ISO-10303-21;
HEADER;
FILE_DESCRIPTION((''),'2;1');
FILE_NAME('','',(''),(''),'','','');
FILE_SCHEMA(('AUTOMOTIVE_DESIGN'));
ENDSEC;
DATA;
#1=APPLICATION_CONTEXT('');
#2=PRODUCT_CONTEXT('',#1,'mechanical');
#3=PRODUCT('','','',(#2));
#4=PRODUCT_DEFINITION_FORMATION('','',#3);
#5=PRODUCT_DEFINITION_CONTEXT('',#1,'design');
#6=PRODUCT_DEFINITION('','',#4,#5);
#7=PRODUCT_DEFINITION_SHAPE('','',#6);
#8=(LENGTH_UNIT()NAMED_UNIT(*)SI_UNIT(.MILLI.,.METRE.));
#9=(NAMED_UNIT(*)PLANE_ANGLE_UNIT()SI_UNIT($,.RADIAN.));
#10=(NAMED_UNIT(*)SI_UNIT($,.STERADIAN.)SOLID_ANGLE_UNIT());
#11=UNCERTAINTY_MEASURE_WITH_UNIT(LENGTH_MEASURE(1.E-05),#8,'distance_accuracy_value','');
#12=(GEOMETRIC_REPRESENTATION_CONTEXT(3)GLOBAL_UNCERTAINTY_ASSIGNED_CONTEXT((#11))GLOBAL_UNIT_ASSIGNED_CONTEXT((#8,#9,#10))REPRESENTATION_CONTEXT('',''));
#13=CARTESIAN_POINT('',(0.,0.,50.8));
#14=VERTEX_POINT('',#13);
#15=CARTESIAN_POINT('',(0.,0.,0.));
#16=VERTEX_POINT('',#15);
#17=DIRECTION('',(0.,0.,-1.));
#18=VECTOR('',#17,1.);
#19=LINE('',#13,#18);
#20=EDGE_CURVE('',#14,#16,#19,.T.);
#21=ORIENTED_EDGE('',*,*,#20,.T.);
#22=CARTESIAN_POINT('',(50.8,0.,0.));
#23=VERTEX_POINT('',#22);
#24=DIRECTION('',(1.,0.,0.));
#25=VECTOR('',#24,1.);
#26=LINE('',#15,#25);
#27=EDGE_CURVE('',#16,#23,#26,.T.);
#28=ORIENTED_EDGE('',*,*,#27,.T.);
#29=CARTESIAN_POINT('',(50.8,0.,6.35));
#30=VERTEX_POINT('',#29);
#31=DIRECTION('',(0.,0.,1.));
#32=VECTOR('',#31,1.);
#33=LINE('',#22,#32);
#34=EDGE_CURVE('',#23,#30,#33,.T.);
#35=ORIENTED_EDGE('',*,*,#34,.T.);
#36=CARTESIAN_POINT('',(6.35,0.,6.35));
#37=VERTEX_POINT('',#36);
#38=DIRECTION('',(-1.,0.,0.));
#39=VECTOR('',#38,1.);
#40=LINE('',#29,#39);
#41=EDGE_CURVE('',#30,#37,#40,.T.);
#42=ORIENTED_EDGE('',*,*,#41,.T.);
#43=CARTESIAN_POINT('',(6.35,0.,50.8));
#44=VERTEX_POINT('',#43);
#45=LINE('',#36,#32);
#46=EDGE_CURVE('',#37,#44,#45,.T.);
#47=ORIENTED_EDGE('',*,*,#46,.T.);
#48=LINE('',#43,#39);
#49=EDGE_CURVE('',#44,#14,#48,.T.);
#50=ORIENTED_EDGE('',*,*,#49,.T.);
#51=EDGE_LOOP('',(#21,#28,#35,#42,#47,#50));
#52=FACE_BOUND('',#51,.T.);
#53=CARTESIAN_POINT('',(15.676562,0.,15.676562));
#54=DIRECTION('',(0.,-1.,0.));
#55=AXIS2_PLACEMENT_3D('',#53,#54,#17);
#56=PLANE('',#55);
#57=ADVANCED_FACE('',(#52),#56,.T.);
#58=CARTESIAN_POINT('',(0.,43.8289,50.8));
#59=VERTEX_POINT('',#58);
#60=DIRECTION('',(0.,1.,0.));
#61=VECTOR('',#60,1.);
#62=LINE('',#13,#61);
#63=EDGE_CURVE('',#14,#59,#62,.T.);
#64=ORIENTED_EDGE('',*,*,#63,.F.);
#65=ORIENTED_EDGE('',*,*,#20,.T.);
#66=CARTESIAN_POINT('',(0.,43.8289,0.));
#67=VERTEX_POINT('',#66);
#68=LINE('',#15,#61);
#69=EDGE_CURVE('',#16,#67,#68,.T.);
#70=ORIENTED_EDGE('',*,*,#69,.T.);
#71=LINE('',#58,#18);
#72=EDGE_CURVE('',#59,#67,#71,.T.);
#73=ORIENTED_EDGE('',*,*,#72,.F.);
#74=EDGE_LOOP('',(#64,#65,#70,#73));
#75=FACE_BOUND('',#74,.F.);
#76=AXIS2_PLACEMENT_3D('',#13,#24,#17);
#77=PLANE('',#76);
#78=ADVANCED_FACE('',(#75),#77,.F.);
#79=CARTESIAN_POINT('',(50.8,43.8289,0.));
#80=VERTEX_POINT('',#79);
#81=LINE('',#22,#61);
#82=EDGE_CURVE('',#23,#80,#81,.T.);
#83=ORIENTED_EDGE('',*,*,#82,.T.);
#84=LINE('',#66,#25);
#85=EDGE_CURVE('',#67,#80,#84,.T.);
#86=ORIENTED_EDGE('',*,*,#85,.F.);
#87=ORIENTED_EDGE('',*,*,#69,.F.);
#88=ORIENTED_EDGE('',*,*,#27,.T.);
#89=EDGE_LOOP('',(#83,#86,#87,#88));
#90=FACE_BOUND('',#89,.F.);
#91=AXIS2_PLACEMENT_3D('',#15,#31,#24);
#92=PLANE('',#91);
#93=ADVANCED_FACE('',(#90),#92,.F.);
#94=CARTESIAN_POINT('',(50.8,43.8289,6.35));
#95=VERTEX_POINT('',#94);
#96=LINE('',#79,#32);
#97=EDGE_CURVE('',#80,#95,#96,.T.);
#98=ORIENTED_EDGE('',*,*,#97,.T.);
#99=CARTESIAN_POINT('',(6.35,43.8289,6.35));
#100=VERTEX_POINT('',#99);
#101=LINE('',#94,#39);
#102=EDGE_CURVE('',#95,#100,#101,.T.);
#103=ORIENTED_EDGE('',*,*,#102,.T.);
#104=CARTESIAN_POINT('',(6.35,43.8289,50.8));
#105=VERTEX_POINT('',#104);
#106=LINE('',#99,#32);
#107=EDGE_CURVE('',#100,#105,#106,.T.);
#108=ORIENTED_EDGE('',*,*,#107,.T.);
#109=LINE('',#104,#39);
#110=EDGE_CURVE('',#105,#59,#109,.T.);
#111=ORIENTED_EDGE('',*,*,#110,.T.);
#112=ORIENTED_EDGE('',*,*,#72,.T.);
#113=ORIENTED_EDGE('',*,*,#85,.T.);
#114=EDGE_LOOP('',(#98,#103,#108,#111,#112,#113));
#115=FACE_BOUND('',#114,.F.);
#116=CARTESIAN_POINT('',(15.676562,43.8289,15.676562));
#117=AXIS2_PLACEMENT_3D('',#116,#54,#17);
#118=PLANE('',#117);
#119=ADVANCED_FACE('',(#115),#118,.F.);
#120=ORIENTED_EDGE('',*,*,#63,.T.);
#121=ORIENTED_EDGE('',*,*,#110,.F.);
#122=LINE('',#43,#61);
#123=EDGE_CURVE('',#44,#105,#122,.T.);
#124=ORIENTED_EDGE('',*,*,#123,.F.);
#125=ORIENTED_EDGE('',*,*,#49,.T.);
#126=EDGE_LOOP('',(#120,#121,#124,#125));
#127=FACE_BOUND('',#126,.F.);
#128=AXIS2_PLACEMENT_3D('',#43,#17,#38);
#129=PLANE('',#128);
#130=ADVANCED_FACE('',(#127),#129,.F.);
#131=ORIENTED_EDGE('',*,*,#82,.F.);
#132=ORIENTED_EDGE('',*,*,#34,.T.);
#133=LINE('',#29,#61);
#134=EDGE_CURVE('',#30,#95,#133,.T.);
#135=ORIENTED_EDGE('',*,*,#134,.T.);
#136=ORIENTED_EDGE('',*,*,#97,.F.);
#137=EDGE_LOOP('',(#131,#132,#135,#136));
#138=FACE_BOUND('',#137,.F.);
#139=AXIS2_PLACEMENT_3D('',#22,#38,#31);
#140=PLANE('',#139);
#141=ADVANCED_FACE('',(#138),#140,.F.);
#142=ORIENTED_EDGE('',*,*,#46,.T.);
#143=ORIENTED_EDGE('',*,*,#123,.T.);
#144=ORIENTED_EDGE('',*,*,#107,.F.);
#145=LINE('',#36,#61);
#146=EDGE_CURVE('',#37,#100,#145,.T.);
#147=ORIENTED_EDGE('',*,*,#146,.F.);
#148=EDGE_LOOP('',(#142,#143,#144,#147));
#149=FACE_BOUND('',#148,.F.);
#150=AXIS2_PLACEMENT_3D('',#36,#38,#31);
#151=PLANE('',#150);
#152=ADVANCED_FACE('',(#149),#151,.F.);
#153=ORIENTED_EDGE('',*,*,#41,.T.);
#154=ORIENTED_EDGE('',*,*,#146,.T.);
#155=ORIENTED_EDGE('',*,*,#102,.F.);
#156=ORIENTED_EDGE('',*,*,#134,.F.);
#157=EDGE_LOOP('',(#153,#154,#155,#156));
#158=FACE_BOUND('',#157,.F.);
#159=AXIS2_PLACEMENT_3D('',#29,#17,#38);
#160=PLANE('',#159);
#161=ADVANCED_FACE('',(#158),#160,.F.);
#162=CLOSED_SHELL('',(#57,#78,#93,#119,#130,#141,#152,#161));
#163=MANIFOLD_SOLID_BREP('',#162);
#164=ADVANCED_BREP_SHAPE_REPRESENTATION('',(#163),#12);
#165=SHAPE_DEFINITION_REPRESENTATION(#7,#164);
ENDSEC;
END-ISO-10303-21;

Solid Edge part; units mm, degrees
sketch "Sketch1" plane through (0, 0, 0) normal (1, 0, 0) x (0, 1, 0)
  line L0 (0, 0) -> (43.8289, 0)
sketch "Sketch2" plane through (0, 0, 0) normal (0, -1, 0) x (1, 0, 0)
  line L0 (0, 50.8) -> (0, 0)
  line L1 (0, 0) -> (50.8, 0)
  line L2 (50.8, 0) -> (50.8, 6.35)
  line L3 (50.8, 6.35) -> (6.35, 6.35)
  line L4 (6.35, 6.35) -> (6.35, 50.8)
  line L5 (6.35, 50.8) -> (0, 50.8)
  dimension "D1" = 50.8
  dimension "D2" = 50.8
  dimension "D3" = 6.35
sweep "SweptProtrusion_1" add profiles "Sketch2" path "Sketch1"
